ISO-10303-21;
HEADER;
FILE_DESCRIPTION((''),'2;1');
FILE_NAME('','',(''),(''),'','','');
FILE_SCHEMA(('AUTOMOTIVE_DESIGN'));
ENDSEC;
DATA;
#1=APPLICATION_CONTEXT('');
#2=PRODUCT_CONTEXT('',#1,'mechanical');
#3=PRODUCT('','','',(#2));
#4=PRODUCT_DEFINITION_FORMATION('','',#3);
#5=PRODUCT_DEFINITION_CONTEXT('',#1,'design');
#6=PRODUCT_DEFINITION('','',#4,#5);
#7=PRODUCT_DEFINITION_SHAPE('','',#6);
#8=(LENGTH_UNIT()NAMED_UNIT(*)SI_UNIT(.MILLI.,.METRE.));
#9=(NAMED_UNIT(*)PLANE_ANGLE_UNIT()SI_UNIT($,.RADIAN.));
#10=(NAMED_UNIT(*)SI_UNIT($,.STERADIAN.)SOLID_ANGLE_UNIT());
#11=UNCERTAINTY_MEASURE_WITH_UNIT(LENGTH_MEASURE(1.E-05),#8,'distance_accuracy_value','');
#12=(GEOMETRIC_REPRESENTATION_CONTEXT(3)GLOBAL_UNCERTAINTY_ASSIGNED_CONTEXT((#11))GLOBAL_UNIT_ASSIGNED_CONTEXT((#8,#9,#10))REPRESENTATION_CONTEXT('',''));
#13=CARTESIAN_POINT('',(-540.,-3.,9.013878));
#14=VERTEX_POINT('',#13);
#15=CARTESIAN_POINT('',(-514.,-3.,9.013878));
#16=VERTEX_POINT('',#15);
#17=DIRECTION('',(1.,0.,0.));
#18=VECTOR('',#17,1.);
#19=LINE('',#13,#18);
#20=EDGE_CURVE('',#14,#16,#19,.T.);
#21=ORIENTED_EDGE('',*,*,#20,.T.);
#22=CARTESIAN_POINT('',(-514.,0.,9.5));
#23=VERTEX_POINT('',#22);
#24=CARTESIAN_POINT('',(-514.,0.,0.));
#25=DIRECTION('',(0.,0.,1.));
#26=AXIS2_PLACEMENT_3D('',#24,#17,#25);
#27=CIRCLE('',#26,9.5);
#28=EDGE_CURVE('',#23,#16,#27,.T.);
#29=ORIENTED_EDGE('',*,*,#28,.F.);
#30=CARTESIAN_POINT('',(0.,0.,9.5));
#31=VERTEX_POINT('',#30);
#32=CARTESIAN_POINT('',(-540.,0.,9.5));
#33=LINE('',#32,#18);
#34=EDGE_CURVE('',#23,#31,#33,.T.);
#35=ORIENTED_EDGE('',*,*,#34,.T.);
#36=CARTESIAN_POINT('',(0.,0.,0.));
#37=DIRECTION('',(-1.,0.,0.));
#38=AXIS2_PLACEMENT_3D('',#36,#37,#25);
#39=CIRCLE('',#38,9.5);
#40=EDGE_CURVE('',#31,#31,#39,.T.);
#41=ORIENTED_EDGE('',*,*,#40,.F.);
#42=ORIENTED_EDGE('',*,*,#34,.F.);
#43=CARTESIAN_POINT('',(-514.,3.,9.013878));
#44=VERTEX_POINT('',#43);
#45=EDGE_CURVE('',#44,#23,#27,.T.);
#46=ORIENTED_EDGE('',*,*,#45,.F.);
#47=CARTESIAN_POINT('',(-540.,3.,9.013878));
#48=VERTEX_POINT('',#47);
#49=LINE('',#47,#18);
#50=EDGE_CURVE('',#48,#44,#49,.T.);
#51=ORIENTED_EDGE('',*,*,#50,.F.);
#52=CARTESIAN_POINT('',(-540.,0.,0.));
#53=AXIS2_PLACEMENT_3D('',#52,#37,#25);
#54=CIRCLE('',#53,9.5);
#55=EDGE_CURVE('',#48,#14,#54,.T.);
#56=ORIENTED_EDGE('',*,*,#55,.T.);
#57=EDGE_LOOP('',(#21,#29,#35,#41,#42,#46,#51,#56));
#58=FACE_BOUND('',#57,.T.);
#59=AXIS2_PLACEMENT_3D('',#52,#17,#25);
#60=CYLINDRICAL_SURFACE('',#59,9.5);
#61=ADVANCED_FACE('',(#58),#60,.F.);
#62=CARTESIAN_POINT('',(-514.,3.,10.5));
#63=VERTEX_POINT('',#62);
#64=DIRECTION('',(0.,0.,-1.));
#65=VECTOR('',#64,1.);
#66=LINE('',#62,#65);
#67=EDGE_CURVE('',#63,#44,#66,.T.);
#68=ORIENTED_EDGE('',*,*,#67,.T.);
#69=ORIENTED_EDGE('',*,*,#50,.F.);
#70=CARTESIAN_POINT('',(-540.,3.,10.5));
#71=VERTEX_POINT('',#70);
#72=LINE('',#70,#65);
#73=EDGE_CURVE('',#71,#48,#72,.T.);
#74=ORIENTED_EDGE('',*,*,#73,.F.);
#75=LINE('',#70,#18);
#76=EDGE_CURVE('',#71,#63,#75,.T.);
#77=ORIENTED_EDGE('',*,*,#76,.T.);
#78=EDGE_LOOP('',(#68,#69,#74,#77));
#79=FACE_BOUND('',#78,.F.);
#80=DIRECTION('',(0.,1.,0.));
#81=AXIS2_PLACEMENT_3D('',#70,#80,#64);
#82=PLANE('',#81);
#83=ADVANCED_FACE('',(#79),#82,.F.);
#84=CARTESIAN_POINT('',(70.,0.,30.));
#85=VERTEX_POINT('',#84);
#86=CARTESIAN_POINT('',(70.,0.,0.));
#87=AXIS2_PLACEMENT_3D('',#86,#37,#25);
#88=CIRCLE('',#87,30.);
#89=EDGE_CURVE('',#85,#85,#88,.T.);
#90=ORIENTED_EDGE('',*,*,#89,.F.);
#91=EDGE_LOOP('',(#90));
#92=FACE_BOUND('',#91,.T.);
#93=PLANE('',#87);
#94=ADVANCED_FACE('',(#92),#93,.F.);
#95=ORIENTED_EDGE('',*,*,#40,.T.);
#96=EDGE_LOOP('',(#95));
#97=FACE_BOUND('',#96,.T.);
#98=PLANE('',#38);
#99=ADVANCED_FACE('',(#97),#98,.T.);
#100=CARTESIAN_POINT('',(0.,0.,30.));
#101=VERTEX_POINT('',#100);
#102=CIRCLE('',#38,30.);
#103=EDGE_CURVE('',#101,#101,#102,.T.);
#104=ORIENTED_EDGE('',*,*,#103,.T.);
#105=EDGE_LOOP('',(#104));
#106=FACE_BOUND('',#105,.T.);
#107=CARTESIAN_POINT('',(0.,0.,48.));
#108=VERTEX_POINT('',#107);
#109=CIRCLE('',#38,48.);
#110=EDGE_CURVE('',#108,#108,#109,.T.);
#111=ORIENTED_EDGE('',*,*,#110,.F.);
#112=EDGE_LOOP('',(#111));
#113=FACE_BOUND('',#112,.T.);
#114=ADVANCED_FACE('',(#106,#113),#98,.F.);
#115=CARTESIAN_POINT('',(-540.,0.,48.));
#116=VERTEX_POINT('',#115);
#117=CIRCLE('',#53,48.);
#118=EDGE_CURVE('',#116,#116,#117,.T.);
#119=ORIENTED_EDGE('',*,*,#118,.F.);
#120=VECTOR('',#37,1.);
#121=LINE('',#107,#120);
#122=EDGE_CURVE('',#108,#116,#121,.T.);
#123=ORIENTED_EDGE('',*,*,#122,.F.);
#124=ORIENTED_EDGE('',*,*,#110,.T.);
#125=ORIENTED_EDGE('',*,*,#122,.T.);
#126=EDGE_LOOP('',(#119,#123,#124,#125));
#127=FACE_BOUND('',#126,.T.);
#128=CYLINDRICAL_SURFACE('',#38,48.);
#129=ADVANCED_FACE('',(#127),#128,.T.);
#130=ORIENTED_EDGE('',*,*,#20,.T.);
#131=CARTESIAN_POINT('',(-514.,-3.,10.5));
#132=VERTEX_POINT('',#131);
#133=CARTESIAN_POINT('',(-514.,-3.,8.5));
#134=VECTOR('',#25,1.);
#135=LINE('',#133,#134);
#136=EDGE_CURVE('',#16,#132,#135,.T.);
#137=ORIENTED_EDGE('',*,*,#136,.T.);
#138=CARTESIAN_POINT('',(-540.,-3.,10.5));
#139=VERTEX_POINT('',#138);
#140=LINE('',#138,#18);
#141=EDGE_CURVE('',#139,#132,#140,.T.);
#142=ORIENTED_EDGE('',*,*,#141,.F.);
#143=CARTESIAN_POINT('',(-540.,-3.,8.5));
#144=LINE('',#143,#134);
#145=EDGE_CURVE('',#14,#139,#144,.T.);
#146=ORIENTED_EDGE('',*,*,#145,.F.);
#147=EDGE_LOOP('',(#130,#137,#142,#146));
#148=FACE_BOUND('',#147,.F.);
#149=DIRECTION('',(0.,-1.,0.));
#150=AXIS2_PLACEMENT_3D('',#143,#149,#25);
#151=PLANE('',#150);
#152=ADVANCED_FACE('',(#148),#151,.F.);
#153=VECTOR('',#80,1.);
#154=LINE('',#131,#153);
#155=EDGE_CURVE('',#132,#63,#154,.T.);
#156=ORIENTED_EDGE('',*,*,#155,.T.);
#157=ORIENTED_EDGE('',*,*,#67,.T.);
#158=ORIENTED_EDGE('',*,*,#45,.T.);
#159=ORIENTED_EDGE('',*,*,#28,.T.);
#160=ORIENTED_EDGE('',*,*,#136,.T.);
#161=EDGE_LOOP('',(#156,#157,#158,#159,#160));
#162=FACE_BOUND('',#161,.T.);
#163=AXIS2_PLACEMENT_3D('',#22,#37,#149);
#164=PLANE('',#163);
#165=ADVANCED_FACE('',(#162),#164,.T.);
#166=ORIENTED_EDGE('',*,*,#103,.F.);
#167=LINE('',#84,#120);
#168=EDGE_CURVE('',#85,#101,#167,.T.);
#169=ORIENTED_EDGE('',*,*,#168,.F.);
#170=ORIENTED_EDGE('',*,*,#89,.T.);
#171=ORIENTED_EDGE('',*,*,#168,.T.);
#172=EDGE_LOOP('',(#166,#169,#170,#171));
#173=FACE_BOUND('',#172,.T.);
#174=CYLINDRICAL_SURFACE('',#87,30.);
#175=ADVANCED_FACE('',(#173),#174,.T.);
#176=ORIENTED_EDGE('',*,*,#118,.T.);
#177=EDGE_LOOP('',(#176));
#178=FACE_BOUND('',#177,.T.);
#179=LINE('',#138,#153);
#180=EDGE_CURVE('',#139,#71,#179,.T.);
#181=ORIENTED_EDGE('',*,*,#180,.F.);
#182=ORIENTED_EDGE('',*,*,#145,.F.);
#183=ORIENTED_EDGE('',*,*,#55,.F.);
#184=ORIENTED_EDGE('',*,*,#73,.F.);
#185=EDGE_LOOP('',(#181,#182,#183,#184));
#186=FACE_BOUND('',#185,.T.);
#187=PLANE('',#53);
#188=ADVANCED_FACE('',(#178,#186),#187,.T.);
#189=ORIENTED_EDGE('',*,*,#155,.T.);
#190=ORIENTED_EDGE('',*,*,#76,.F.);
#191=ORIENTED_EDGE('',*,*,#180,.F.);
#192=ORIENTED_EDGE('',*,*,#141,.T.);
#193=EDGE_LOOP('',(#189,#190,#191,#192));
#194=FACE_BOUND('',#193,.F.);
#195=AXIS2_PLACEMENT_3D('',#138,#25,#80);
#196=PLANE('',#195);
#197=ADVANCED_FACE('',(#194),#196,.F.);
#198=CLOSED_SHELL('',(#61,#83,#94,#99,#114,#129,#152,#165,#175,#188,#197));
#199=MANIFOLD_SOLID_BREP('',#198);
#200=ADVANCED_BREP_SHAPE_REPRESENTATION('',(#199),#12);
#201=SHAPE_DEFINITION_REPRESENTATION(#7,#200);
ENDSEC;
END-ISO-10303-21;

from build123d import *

# Parameters (mm, degrees)
F3_DEPTH = 26


with BuildPart() as f1:
    # F0 (on Front) → F1 (revolve)
    with BuildSketch(Plane.XZ):
        Polygon((0, 9.5), (0, 0), (70, 0), (70, 30), (0, 30), align=None)
        Polygon((-540, 9.5), (0, 9.5), (0, 30), (0, 48), (-540, 48), align=None)
    revolve(axis=Axis((35, 0, 0), (-1, 0, 0)))

    # F2 (on face) → F3 (cut)
    with BuildSketch(Plane(origin=(-540, 0, 0), x_dir=(0, -1, 0), z_dir=(-1, 0, 0))):
        Polygon((-3, 8.5), (0, 8.5), (3, 8.5), (3, 10.5), (-3, 10.5), align=None)
    extrude(amount=-F3_DEPTH, mode=Mode.SUBTRACT)


solid = f1.part
